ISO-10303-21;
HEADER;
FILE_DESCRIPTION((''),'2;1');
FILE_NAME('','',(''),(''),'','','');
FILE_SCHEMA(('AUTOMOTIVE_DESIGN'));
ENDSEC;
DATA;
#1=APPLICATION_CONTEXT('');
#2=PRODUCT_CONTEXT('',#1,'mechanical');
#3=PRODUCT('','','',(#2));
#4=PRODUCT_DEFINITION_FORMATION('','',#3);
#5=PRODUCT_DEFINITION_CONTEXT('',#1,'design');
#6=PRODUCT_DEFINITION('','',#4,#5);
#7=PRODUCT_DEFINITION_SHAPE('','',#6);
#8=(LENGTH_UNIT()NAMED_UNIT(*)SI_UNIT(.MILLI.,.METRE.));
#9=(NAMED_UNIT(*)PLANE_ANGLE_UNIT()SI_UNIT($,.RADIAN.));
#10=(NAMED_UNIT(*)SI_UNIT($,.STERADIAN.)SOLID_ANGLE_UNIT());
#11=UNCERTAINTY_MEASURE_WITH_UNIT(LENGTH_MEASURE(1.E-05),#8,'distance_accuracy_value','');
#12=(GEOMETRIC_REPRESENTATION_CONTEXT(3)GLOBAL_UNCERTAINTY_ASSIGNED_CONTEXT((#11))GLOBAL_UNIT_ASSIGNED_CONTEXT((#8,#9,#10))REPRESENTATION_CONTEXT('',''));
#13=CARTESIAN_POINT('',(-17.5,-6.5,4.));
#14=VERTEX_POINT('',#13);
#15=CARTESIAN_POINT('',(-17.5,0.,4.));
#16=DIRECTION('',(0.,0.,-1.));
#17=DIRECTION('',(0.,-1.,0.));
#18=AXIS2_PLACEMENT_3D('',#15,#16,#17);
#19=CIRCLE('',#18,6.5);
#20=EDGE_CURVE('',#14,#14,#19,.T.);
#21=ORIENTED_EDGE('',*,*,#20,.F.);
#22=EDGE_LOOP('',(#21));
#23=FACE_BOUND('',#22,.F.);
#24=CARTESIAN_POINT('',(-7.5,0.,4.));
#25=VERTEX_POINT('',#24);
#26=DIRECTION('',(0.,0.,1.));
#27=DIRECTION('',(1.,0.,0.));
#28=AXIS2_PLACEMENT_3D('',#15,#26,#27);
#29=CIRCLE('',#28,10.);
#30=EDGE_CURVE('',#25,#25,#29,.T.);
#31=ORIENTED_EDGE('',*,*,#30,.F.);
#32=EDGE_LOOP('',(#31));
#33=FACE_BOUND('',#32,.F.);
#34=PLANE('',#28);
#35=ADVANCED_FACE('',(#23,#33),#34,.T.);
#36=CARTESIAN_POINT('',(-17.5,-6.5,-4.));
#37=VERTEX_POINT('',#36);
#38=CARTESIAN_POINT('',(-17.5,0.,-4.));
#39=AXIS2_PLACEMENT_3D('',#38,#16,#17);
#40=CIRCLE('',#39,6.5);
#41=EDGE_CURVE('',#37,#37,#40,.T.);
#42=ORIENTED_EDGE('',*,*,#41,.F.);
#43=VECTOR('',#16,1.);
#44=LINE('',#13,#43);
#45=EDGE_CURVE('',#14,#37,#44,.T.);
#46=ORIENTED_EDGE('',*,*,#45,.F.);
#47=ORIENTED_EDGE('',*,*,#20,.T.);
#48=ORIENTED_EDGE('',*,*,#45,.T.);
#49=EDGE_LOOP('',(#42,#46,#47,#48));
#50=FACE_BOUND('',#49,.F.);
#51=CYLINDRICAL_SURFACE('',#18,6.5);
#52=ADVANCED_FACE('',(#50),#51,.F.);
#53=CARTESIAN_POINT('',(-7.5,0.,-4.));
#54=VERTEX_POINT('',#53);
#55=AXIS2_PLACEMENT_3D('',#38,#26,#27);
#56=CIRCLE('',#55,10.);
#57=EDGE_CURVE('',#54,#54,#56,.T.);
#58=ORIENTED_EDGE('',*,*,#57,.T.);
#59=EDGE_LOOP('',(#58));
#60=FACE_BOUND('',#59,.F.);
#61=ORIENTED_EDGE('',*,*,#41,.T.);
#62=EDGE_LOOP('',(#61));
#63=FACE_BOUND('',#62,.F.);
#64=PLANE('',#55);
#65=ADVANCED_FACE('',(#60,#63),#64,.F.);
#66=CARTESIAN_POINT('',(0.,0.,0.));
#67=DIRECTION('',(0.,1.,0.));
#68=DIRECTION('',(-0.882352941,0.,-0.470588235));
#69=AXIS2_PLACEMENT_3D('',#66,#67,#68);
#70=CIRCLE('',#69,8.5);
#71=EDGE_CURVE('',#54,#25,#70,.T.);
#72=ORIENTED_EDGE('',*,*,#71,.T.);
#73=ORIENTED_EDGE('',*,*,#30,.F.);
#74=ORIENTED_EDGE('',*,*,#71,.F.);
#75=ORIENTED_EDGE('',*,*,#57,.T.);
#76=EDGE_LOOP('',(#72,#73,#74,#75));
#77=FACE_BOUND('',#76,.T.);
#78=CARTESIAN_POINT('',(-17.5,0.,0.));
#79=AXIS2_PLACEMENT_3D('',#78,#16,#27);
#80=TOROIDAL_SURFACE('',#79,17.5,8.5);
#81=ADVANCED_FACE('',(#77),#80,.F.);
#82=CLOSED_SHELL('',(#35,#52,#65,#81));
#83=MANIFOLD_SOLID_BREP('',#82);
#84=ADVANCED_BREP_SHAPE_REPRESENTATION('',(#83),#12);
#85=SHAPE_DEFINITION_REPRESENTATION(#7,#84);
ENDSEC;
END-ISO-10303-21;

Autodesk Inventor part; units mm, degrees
ref_plane "YZ Plane" through (0, 0, 0) normal (1, 0, 0) x (0, 1, 0)
ref_plane "XZ Plane" through (0, 0, 0) normal (0, 1, 0) x (-1, 0, 0)
ref_plane "XY Plane" through (0, 0, 0) normal (0, 0, 1) x (1, 0, 0)
sketch "Sketch2" plane through (0, 0, 0) normal (0, 1, 0) x (-1, 0, 0)
  arc A0 (7.5, -4) -> (7.5, 4) centre (0, 0) ccw
  line L0 (0, 0) -> (21.3939, 0) construction
  line L1 (7.5, -4) -> (7.5, 4) construction
  line L2 (7.5, -4) -> (17.5, -4)
  line L3 (17.5, -4) -> (17.5, 4)
  line L4 (17.5, 4) -> (7.5, 4)
  point P0 (7.5, 0)
  dimension "d0" = 17
  dimension "d1" = 8
  dimension "d3" = 10
  dimension "d4" = 8
  dimension "d5" = 17.5
revolve "Revolution1" add sketch "Sketch2" angle 360 about axis through (-17.5, 0, -4) along (0, 0, 1)
hole "Hole1" at (-17.5, 0, 4) direction (0, 0, -1) diameter 13 end through all
properties part number "U-Groove-Bearings"
